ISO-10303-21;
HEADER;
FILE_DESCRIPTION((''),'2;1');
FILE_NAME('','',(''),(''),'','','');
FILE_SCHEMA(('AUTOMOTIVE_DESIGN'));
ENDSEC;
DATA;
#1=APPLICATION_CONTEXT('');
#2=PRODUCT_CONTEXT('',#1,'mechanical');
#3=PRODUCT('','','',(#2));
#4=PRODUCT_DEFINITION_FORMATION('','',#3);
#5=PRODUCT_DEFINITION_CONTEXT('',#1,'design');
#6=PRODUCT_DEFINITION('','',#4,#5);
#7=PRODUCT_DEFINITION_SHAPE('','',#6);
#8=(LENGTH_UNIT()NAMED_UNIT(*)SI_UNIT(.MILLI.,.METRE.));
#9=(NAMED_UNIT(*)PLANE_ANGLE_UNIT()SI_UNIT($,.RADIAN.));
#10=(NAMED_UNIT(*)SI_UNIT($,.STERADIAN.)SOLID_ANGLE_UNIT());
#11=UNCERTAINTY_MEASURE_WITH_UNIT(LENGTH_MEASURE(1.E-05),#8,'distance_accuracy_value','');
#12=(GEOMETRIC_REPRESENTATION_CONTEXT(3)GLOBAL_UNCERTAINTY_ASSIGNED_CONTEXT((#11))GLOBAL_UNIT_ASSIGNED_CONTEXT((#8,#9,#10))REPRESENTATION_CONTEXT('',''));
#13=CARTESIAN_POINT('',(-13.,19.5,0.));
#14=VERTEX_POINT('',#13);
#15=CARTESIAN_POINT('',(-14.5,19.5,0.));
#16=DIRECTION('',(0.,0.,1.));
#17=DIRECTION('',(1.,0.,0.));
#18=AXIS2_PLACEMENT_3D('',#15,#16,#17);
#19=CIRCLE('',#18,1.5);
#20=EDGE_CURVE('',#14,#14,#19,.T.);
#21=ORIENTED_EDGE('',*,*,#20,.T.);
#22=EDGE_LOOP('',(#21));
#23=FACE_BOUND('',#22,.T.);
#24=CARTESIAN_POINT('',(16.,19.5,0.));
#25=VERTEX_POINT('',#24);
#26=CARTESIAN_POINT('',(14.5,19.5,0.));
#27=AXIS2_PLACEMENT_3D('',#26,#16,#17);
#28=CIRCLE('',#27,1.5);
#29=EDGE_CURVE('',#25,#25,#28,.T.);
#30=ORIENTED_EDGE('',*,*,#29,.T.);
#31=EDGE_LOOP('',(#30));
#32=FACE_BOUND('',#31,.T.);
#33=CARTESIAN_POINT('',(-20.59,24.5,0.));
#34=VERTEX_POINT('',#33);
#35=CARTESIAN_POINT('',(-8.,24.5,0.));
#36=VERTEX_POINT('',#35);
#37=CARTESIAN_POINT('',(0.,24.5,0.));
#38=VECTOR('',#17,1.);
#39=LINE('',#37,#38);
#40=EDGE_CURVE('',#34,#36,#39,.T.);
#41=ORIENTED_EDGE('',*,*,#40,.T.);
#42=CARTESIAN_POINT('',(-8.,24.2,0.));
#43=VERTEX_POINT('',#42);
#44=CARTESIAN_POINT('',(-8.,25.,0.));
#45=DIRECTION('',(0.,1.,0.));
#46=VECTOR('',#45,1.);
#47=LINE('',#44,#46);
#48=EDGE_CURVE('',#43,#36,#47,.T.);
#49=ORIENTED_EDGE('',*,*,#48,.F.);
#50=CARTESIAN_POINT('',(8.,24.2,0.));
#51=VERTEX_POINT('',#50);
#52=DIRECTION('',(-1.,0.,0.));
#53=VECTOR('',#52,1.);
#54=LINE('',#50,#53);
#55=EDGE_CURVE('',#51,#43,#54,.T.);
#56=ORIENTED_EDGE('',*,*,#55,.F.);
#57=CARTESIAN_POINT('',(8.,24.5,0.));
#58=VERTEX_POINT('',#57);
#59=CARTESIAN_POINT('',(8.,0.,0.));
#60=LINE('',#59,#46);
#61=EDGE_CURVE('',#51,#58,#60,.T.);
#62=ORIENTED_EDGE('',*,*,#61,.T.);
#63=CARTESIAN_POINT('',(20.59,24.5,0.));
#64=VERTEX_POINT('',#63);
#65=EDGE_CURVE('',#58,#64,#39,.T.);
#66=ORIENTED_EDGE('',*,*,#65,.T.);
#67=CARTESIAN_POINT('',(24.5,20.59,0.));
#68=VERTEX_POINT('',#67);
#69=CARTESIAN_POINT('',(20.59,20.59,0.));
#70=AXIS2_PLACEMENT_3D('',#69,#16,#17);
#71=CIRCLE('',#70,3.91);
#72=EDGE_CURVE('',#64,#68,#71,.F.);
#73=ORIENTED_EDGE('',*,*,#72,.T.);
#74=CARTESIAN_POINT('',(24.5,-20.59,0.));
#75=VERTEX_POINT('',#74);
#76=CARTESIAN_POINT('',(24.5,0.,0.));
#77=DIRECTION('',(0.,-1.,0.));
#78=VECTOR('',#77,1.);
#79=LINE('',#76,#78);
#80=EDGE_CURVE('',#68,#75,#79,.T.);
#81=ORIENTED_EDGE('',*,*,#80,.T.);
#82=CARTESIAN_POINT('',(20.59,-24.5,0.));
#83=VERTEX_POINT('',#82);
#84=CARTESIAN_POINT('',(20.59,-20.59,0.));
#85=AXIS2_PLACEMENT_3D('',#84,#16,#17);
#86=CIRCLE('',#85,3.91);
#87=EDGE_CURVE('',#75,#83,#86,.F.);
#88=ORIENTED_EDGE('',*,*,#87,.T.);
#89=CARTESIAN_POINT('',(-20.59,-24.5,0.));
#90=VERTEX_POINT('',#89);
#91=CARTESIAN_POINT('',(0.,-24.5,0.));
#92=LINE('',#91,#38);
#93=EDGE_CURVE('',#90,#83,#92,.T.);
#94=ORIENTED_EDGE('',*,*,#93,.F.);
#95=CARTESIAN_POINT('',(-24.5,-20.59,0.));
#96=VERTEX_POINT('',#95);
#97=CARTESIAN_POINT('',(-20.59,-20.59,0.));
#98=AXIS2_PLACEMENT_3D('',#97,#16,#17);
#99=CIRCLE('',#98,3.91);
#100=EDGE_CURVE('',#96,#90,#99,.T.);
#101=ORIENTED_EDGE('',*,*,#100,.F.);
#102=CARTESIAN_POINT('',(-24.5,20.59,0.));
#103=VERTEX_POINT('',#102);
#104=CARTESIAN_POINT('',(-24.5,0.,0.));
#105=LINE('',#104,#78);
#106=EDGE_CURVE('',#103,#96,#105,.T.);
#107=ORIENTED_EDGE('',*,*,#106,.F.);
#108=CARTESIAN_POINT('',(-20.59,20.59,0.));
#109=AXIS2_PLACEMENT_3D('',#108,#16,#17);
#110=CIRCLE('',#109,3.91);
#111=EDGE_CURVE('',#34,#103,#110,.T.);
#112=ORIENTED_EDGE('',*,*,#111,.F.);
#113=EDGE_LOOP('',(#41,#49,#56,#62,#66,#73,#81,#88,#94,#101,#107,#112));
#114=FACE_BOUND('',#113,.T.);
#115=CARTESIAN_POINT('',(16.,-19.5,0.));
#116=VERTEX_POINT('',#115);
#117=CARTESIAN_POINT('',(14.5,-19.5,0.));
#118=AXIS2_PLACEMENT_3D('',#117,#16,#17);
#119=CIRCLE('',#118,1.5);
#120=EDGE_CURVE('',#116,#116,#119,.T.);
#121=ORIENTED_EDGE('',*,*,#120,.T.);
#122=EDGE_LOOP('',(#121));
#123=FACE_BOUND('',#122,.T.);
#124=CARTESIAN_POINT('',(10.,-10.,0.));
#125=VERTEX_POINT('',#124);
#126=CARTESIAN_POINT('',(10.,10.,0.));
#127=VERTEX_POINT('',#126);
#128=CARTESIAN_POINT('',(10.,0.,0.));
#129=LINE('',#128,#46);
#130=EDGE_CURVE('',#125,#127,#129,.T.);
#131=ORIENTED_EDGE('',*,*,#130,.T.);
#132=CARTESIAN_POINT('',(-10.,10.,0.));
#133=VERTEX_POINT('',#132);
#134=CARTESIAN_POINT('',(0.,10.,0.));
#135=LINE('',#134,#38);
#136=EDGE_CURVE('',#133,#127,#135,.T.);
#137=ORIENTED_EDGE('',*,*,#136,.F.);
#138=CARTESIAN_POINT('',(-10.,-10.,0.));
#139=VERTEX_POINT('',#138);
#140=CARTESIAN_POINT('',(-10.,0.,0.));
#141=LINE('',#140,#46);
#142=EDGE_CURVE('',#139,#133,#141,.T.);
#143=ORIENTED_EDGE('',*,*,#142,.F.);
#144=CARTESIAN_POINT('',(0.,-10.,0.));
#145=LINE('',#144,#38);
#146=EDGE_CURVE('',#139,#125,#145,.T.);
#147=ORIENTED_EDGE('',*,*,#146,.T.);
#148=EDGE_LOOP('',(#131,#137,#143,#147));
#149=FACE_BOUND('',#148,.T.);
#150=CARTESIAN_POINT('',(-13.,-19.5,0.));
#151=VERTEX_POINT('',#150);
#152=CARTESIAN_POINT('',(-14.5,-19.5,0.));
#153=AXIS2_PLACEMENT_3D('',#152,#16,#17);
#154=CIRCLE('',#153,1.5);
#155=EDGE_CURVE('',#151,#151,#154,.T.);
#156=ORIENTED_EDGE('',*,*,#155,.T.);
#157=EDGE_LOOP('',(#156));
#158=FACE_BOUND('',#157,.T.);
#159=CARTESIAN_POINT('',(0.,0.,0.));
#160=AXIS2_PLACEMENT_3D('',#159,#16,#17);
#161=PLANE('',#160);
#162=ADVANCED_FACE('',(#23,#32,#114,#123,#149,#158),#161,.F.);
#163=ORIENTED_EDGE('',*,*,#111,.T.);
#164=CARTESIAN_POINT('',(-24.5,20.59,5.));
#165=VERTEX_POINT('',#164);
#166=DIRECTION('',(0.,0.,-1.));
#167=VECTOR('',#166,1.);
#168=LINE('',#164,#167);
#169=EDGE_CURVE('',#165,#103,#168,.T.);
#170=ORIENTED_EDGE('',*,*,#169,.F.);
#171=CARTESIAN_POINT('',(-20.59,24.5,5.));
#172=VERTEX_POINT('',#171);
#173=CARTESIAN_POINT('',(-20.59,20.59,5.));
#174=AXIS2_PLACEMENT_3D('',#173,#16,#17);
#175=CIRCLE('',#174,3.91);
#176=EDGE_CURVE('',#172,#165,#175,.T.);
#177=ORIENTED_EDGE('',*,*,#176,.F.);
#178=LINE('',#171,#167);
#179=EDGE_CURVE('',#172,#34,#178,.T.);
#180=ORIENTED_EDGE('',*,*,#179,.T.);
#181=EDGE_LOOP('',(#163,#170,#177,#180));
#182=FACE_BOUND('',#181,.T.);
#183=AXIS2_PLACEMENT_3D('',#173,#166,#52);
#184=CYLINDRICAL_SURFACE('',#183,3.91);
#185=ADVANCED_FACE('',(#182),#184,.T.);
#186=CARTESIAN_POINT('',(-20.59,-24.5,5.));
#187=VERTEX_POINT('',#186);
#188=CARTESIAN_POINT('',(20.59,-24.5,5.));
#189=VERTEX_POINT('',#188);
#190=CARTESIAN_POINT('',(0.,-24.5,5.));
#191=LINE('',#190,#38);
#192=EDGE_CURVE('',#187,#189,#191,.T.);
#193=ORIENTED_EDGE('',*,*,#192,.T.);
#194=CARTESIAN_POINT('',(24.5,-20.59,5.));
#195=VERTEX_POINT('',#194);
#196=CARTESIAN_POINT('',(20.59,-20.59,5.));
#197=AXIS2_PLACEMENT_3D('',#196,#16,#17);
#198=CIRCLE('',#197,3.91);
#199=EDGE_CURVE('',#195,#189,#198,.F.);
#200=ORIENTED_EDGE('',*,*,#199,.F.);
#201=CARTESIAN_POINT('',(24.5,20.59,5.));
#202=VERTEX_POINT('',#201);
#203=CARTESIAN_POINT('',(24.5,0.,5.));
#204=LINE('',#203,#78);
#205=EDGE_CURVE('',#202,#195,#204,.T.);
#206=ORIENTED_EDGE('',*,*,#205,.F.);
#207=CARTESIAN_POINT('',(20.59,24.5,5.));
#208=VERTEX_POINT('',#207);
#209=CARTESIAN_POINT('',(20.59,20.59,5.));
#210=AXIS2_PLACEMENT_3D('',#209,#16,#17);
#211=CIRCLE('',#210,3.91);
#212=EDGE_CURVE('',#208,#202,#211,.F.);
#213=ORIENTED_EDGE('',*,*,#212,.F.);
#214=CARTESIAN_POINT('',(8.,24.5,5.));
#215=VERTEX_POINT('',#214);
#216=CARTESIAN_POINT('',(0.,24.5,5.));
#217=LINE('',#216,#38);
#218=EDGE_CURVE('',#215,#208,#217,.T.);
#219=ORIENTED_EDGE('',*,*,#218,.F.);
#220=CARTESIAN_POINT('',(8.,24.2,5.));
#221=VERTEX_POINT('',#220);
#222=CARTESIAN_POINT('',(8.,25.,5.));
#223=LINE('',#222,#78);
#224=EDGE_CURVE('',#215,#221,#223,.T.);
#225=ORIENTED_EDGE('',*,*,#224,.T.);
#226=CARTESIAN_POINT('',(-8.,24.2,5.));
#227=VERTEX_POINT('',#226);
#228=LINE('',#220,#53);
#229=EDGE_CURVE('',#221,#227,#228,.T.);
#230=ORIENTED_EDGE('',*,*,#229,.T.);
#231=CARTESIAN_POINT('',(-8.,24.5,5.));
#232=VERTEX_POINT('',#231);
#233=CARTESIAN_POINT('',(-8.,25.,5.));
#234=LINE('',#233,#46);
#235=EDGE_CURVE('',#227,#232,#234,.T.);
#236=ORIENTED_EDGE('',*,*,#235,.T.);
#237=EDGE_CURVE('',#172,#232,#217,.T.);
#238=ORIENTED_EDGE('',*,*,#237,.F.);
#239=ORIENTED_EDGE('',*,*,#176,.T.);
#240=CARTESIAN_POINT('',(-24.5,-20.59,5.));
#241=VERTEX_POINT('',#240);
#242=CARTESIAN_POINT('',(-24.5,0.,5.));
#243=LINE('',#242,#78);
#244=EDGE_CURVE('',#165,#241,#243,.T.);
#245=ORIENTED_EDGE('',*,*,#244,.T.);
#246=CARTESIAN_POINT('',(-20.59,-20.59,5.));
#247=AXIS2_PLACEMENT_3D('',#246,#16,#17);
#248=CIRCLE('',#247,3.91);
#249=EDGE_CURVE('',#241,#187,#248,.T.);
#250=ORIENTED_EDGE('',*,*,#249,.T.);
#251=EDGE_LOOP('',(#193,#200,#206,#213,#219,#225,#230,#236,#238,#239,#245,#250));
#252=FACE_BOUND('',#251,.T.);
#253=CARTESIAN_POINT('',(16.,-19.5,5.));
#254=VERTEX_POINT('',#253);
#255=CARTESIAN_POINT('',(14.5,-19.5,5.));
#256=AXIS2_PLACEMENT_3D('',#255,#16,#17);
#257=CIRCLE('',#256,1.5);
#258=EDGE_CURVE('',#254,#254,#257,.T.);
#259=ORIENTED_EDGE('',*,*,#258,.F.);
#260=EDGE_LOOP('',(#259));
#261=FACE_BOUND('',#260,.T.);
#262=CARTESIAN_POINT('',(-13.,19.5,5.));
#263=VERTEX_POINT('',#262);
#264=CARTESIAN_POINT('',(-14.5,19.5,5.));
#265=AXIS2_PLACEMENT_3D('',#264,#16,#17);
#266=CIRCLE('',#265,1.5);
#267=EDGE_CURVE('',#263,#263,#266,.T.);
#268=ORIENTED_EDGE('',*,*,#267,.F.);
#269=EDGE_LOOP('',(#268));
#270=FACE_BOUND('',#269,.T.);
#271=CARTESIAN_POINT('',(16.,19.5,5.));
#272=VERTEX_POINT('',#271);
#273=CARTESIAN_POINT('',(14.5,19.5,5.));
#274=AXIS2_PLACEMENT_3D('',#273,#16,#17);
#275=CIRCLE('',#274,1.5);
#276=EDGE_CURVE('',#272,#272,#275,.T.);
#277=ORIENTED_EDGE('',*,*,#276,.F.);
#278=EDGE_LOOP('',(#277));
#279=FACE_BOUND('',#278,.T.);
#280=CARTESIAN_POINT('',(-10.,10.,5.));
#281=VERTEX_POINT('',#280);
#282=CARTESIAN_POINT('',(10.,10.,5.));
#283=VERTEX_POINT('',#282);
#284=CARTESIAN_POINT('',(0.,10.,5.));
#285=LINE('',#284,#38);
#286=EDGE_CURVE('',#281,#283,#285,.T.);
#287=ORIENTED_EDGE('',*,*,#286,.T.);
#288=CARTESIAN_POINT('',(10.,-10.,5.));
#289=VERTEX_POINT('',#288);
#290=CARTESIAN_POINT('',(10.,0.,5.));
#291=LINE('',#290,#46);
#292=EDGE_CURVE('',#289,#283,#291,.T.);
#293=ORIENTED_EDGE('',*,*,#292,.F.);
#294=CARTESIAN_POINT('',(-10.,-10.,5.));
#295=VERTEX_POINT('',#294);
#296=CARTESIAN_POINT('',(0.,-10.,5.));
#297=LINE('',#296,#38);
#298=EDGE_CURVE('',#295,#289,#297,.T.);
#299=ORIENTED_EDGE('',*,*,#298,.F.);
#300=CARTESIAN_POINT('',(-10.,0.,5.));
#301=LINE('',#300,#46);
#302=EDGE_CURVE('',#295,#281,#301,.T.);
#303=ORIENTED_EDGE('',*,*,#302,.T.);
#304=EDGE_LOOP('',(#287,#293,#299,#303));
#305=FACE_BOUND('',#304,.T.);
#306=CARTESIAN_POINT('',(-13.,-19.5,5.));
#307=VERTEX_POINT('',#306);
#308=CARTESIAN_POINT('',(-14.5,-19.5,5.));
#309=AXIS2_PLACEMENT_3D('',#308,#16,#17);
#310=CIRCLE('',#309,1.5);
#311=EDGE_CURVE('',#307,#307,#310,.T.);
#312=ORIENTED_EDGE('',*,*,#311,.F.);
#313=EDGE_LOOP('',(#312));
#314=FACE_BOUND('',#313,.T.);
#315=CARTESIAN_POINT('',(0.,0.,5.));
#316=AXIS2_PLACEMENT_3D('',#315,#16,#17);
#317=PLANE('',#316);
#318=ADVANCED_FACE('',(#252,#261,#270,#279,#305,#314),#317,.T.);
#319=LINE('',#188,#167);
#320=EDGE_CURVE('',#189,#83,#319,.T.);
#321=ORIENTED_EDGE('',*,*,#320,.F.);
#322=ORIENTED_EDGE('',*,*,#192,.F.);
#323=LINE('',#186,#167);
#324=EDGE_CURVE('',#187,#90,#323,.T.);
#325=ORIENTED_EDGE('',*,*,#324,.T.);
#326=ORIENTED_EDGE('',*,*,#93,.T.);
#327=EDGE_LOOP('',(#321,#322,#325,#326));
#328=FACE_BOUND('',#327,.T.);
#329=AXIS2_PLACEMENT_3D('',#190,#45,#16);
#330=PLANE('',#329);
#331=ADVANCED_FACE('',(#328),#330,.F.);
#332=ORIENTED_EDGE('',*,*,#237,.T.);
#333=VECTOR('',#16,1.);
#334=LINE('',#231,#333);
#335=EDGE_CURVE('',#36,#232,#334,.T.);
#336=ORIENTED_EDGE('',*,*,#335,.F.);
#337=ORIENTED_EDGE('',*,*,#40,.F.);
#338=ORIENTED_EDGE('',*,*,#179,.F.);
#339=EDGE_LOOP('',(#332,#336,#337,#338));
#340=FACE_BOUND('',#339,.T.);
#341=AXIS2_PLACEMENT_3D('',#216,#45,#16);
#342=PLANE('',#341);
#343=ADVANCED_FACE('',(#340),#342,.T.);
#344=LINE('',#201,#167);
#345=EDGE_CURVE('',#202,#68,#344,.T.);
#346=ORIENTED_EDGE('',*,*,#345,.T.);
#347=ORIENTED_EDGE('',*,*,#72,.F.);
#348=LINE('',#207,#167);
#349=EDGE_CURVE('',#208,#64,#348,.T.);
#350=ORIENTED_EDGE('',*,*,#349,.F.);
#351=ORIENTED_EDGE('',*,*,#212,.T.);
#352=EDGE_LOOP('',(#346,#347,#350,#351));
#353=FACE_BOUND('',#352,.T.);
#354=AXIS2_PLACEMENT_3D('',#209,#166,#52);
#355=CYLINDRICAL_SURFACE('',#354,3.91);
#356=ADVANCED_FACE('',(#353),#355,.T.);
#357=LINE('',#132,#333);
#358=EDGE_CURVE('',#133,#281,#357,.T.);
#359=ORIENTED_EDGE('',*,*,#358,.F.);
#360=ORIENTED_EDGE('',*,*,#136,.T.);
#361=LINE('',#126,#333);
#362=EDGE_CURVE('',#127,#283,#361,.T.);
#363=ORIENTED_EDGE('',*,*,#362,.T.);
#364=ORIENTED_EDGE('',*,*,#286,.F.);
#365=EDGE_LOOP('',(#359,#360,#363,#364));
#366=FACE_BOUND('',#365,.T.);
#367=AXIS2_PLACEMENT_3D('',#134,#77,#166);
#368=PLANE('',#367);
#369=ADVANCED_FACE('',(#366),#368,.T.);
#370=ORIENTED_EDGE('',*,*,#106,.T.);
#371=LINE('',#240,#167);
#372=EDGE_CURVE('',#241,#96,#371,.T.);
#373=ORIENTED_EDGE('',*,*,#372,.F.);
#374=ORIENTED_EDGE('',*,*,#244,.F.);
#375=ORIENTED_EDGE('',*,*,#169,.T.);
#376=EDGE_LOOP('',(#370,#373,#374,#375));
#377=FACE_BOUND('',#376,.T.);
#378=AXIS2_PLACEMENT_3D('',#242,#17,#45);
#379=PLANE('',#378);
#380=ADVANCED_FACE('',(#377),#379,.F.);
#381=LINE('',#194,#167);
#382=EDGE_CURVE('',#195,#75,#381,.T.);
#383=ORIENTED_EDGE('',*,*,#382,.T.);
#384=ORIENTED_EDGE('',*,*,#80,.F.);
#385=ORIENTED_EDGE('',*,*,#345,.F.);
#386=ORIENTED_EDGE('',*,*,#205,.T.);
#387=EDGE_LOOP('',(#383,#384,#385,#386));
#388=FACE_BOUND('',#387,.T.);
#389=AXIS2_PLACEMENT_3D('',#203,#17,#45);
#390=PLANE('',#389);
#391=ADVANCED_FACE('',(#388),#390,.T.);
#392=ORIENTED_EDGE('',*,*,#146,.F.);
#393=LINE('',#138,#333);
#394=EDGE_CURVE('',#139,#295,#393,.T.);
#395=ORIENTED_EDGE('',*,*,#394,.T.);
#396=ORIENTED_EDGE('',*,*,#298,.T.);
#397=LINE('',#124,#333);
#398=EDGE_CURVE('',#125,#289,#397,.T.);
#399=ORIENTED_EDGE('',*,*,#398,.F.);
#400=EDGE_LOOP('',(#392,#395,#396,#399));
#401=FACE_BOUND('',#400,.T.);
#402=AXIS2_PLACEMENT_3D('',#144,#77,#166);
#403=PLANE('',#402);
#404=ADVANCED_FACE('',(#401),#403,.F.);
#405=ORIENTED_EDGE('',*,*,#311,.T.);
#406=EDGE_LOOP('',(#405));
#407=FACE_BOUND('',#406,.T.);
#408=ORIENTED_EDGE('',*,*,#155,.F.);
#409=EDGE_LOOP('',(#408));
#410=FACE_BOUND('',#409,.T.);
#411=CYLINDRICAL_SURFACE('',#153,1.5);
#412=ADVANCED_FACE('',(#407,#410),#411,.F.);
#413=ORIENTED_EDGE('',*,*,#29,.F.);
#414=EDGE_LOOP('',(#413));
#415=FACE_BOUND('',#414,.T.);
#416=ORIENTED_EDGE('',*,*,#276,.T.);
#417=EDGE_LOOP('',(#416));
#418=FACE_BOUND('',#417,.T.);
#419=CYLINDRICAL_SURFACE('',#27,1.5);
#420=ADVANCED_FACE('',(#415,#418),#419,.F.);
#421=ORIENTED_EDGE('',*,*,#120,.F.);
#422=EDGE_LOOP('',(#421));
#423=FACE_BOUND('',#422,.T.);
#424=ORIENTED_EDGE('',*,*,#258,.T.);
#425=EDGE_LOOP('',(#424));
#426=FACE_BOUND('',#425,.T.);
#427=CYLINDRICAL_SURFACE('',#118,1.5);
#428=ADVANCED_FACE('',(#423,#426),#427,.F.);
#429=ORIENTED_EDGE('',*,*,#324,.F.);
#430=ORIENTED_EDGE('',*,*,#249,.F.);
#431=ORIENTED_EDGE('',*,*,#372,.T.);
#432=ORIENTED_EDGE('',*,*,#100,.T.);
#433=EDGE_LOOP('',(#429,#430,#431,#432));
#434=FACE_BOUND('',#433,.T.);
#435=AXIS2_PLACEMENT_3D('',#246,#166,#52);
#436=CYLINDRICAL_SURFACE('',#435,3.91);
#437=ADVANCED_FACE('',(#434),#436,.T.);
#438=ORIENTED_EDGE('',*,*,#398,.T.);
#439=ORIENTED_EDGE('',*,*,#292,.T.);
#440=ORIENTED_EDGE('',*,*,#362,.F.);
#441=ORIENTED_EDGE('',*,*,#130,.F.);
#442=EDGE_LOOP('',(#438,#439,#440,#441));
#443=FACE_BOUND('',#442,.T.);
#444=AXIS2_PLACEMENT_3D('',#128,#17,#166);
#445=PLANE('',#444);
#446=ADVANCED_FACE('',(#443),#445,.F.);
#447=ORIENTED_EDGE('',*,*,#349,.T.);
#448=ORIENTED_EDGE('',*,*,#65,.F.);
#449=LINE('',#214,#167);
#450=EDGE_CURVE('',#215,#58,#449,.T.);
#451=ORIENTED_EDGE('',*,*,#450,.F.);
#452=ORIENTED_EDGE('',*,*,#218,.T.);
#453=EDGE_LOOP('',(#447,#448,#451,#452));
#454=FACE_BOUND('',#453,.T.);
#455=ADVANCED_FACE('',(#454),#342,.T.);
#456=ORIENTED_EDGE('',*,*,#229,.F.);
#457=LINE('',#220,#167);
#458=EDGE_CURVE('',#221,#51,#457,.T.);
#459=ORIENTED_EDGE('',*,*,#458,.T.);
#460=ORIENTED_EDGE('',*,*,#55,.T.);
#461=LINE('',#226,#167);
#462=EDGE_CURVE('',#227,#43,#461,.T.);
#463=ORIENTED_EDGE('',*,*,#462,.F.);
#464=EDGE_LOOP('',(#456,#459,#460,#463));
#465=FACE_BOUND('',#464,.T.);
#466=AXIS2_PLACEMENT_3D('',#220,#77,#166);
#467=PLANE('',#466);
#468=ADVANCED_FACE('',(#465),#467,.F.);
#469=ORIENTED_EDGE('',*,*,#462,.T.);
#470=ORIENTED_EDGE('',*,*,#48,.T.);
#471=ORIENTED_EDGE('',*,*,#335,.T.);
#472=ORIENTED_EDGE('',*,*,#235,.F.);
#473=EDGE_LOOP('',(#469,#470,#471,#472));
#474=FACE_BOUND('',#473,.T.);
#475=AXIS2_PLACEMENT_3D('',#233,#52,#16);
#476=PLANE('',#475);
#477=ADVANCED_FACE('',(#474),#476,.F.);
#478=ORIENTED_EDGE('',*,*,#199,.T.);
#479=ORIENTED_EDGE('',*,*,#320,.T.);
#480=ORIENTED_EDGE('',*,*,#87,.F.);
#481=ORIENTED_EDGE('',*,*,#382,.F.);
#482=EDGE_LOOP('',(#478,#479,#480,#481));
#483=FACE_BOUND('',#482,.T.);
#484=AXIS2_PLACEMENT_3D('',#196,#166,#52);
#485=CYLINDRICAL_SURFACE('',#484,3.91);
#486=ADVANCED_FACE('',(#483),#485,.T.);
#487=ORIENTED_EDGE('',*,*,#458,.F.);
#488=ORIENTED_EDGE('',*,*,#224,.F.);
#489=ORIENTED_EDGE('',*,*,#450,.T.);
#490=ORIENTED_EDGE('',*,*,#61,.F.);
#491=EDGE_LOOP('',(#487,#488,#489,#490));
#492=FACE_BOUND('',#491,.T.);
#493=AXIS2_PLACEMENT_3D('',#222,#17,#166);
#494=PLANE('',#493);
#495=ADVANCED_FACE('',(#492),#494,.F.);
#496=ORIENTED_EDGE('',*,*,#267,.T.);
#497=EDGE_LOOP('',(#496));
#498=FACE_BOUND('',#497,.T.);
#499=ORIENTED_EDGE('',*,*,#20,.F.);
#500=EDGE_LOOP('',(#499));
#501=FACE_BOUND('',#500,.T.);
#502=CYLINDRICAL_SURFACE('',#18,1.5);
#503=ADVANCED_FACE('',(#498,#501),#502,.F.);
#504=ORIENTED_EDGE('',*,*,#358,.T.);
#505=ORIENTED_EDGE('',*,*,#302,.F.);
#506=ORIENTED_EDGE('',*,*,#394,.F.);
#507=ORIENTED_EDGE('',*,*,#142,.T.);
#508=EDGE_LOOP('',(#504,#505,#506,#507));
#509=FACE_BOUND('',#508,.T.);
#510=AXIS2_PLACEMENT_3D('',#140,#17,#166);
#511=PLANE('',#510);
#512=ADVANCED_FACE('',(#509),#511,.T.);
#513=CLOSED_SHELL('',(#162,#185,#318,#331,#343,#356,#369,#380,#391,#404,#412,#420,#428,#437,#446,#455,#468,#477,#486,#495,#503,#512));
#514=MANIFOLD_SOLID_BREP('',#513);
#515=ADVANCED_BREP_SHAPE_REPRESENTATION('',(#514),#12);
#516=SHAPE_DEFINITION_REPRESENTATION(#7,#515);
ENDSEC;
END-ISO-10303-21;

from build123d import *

# Parameters (mm, degrees)
BOSS_EXTRUDE1_DEPTH = 5
SKETCH2_W           = 20
SKETCH2_H           = 20
CUT_EXTRUDE1_DEPTH  = 5
SKETCH5_R           = 1.5
CUT_EXTRUDE2_DEPTH  = 36.007142128
SKETCH6_W           = 16
SKETCH6_H           = 0.8
CUT_EXTRUDE3_DEPTH  = 36.007142128


with BuildPart() as part:
    # Sketch1 → Boss-Extrude1 (new body)
    with BuildSketch(Plane.XY):
        with BuildLine():
            Line((20.59, 24.5), (-20.59, 24.5))
            ThreePointArc((-20.59, 24.5), (-23.354787514, 23.354787514), (-24.5, 20.59))
            Line((-24.5, 20.59), (-24.5, -20.59))
            ThreePointArc((-24.5, -20.59), (-23.354787514, -23.354787514), (-20.59, -24.5))
            Line((-20.59, -24.5), (20.59, -24.5))
            ThreePointArc((20.59, -24.5), (23.354787514, -23.354787514), (24.5, -20.59))
            Line((24.5, -20.59), (24.5, 20.59))
            ThreePointArc((24.5, 20.59), (23.354787514, 23.354787514), (20.59, 24.5))
        make_face()
    extrude(amount=BOSS_EXTRUDE1_DEPTH)

    # Sketch2 → Cut-Extrude1 (cut)
    with BuildSketch(Plane.XY.offset(5)):
        Rectangle(SKETCH2_W, SKETCH2_H)
    extrude(amount=-CUT_EXTRUDE1_DEPTH, mode=Mode.SUBTRACT)

    # Sketch5 → Cut-Extrude2 (cut, through all)
    with BuildSketch(Plane.XY.offset(5)):
        with Locations((-14.5, 19.5)):
            Circle(SKETCH5_R)
        with Locations((14.5, 19.5)):
            Circle(SKETCH5_R)
        with Locations((-14.5, -19.5)):
            Circle(SKETCH5_R)
        with Locations((14.5, -19.5)):
            Circle(SKETCH5_R)
    extrude(amount=-CUT_EXTRUDE2_DEPTH, mode=Mode.SUBTRACT)

    # Sketch6 → Cut-Extrude3 (cut, through all)
    with BuildSketch(Plane(origin=(0, 0, 0), x_dir=(-1, 0, 0), z_dir=(0, 0, -1))):
        with Locations((0, 24.6)):
            Rectangle(SKETCH6_W, SKETCH6_H)
    extrude(amount=-CUT_EXTRUDE3_DEPTH, mode=Mode.SUBTRACT)


solid = part.part
